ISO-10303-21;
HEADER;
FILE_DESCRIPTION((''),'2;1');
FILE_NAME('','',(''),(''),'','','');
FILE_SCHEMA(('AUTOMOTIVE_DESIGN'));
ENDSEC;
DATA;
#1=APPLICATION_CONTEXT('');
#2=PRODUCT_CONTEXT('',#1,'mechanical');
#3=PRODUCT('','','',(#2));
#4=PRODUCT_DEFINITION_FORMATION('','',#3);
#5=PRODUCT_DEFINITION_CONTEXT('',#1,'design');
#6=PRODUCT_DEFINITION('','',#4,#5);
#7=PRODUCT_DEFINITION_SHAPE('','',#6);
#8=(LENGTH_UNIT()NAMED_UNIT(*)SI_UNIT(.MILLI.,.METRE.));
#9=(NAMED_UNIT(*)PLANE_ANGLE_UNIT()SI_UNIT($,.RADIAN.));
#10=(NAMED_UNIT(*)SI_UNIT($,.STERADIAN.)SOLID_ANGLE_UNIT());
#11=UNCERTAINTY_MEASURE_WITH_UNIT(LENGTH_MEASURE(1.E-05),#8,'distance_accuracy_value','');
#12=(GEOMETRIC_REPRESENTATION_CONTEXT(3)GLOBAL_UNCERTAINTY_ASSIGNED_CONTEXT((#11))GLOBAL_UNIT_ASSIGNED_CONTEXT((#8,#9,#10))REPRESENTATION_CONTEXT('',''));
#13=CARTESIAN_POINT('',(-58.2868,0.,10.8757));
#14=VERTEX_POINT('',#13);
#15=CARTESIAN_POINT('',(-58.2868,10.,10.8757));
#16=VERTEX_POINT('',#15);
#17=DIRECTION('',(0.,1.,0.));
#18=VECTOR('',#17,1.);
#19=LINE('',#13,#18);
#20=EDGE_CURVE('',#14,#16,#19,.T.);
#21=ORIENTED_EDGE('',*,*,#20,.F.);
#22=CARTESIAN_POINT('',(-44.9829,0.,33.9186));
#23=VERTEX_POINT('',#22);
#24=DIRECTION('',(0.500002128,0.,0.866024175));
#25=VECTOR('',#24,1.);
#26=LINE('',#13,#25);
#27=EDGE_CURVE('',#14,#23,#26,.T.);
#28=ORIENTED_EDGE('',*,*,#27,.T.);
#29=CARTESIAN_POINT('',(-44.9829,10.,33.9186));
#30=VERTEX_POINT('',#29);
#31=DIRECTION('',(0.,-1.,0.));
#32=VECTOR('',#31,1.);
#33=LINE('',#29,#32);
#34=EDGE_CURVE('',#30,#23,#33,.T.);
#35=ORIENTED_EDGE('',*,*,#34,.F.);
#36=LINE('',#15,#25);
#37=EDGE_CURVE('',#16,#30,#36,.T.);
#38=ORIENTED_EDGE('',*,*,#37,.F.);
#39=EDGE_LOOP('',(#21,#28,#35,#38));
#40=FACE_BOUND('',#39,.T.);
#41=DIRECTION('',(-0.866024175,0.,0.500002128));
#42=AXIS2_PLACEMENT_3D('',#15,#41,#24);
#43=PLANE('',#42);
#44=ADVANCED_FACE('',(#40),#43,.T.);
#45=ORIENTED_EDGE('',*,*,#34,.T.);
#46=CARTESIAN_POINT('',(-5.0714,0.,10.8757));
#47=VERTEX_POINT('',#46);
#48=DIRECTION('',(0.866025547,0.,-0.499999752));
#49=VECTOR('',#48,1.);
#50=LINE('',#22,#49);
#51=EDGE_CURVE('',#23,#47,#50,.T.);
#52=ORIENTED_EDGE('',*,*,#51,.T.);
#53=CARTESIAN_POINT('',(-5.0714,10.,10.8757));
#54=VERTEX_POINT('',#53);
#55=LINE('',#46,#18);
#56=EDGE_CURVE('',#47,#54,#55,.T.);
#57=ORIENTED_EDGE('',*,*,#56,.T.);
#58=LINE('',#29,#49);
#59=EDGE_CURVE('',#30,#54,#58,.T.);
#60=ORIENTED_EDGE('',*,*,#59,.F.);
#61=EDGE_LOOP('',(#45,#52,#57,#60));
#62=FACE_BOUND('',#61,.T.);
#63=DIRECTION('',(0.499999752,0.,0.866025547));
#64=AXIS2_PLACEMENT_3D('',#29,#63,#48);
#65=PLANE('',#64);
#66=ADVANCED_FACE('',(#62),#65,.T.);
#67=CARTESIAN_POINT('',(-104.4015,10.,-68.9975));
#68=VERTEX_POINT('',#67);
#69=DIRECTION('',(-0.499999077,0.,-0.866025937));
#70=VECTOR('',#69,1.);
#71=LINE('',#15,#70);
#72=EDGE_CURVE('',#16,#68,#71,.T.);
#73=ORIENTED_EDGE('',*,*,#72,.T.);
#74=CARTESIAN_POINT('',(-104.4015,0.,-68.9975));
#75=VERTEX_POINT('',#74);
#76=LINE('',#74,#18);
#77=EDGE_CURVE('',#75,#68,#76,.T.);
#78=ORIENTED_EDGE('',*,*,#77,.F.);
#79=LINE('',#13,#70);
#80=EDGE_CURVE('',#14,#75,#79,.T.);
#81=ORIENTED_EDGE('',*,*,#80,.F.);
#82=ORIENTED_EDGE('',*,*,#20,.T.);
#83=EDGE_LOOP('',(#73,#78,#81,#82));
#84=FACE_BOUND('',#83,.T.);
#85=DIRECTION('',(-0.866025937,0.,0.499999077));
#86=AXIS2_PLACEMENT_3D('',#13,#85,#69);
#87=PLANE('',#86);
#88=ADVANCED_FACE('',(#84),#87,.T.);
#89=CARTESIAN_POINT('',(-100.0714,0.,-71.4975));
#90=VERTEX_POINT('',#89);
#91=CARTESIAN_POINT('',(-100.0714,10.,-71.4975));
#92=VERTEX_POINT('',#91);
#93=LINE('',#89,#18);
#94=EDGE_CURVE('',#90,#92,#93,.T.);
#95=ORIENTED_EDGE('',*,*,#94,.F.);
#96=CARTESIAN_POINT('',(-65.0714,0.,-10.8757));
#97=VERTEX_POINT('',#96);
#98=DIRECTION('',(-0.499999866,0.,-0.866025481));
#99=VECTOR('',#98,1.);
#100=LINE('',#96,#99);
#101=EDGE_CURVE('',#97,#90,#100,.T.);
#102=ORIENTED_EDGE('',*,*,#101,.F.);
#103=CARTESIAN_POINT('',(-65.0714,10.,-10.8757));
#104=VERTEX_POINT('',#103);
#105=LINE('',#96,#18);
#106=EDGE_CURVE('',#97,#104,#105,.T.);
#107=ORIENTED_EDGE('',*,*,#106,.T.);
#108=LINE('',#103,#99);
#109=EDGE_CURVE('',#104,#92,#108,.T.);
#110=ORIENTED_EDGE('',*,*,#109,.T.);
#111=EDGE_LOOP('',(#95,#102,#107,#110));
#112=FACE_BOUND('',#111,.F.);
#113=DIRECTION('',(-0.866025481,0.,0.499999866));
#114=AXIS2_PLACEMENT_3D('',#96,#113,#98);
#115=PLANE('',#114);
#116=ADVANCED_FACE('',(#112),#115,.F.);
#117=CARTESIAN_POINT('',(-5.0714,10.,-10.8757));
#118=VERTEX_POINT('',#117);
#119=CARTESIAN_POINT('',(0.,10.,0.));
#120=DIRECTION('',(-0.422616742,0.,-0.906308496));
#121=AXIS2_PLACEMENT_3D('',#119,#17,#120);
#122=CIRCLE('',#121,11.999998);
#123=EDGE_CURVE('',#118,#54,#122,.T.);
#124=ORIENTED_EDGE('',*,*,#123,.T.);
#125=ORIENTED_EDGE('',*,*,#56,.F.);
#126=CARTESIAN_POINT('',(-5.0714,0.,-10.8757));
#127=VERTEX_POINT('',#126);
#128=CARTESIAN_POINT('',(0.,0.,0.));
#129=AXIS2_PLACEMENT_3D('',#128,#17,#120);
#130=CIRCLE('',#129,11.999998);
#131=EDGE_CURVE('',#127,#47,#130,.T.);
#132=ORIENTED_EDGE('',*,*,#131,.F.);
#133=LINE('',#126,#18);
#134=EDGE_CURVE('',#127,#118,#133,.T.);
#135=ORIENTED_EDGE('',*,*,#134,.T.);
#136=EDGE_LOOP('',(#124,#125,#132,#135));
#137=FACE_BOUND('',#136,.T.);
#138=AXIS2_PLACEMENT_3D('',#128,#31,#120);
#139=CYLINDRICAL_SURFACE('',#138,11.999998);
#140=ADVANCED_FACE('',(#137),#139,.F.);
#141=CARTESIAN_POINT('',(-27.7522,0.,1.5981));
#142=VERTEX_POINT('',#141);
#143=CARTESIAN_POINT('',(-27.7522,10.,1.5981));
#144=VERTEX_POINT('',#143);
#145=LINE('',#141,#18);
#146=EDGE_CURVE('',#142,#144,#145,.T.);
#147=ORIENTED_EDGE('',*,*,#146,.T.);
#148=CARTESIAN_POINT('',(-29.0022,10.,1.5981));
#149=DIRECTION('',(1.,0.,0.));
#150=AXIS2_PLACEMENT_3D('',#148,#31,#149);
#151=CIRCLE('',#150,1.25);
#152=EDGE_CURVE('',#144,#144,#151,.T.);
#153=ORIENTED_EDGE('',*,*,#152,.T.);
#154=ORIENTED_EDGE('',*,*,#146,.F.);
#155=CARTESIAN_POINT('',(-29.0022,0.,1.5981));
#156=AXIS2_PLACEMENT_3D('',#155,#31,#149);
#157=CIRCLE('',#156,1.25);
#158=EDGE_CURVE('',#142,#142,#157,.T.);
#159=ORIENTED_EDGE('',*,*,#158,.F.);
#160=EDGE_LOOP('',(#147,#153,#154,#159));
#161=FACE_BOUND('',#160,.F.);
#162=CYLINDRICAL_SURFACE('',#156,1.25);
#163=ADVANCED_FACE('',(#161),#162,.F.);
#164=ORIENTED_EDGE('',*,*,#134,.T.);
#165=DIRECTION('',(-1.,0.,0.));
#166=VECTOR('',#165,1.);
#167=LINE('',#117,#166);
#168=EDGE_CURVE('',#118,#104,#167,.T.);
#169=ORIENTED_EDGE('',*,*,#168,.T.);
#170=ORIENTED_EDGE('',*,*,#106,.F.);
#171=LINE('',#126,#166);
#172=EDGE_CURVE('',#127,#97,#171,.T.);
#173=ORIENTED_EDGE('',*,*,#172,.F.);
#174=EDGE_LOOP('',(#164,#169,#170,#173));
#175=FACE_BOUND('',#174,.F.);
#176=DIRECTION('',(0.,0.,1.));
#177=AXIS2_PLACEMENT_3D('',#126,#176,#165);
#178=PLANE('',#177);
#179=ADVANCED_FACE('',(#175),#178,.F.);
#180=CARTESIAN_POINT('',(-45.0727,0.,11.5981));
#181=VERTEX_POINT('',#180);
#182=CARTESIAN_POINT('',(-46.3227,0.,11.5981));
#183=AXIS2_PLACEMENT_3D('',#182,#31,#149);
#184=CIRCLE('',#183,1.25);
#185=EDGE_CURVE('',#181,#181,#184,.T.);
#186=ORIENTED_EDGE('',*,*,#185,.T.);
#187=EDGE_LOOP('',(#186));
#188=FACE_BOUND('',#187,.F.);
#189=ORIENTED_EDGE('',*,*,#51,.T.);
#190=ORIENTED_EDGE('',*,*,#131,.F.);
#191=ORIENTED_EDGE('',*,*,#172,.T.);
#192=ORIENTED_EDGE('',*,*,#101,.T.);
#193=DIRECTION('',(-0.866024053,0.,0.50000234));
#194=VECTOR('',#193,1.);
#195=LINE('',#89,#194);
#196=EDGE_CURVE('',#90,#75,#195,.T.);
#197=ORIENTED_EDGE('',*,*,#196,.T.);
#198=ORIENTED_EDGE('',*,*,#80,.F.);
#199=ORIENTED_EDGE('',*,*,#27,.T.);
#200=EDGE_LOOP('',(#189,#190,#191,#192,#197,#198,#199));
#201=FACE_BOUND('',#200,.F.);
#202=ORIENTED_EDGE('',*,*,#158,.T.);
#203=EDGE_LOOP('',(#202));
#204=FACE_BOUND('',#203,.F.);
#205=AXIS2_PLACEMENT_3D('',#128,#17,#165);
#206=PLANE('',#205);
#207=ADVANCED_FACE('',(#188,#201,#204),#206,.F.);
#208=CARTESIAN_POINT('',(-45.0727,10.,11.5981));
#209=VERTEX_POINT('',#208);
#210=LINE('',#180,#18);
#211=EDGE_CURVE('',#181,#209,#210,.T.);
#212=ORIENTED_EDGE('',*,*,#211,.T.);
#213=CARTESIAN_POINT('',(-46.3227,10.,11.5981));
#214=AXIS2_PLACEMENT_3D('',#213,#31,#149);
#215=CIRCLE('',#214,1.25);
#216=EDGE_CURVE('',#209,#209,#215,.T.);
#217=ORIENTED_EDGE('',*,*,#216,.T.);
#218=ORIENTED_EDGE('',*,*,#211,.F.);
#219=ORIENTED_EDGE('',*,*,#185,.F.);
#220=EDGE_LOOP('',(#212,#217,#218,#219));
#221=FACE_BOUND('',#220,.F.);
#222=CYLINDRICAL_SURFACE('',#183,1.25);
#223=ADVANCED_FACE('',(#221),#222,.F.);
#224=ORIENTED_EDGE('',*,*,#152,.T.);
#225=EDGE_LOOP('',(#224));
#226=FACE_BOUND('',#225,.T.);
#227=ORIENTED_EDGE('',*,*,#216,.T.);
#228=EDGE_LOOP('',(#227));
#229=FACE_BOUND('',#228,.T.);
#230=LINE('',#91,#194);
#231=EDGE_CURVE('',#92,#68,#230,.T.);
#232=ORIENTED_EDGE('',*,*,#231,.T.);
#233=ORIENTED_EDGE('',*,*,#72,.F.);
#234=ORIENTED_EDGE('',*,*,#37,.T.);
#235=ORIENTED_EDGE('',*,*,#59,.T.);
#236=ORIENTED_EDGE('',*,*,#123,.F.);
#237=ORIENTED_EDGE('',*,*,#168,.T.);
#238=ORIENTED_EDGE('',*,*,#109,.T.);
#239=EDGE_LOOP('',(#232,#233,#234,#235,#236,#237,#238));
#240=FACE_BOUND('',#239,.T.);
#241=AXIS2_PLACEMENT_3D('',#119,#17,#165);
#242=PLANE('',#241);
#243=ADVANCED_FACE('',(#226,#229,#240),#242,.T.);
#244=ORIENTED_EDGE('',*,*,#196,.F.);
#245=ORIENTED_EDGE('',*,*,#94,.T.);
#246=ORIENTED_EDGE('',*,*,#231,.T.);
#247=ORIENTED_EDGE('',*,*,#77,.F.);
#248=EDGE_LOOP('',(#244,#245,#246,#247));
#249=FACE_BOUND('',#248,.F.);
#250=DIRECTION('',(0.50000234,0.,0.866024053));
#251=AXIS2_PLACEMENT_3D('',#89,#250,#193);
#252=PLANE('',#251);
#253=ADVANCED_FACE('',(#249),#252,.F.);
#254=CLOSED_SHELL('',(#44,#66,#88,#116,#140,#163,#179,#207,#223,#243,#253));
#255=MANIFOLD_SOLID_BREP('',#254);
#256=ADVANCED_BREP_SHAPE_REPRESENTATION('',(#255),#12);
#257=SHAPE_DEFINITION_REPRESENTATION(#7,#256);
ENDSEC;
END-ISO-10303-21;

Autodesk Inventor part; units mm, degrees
ref_plane "YZ Plane" through (0, 0, 0) normal (1, 0, 0) x (0, 1, 0)
ref_plane "XZ Plane" through (0, 0, 0) normal (0, 1, 0) x (-1, 0, 0)
ref_plane "XY Plane" through (0, 0, 0) normal (0, 0, 1) x (1, 0, 0)
sketch "Sketch1" plane through (0, 0, 0) normal (0, 1, 0) x (-1, 0, 0)
  point P0 (0, 0)
sketch "Sketch2" plane through (0, 0, 0) normal (0, 1, 0) x (-1, 0, 0)
  circle A0 centre (0, 0) radius 10 construction
  arc A1 (5.0714, -10.8757) -> (5.0714, 10.8757) centre (0, 0) ccw
  line L0 (5.0714, 10.8757) -> (5.0714, -10.8757) construction
  line L1 (5.0714, 10.8757) -> (26.8228, 10.8757) construction
  line L2 (5.0714, -10.8757) -> (65.0714, -10.8757)
  line L3 (5.0714, -10.8757) -> (65.0714, -10.8757) construction
  line L4 (65.0714, -10.8757) -> (100.0714, -71.4975)
  line L5 (100.0714, -71.4975) -> (104.4015, -68.9975)
  line L6 (5.0714, 10.8757) -> (58.2868, 10.8757)
  line L7 (58.2868, 10.8757) -> (104.4015, -68.9975)
  dimension "d0" = 20
  dimension "d1" = 90
  dimension "d2" = 2
  dimension "d3" = 130
  dimension "d4" = 60
  dimension "d5" = 0
  dimension "d6" = 70
  dimension "d7" = 120
  dimension "d8" = 5
extrude "Extrusion1" add sketch "Sketch2" along normal blind 10
sketch "Sketch3" plane through (0, 10, 0) normal (0, 1, 0) x (1, 0, 0)
  line L0 (-58.2868, -10.8757) -> (-104.4015, 68.9975) projected
  line L1 (-58.2868, -10.8757) -> (-44.9829, -33.9186)
  arc A0 (-5.0714, 10.8757) -> (-5.0714, -10.8757) centre (0, 0) ccw projected
  line L2 (-44.9829, -33.9186) -> (-5.0714, -10.8757)
  line L3 (-58.2868, -10.8757) -> (-5.0714, -10.8757) projected
  line L4 (-58.2868, -10.8757) -> (-5.0714, -10.8757)
extrude "Extrusion2" add sketch "Sketch3" against normal blind 10
sketch "Sketch4" plane through (0, 0, 0) normal (0, -1, 0) x (1, 0, 0)
  circle A0 centre (-46.3227, 11.5981) radius 1.25
  circle A1 centre (-29.0022, 1.5981) radius 1.25
  line L0 (-29.0022, 1.5981) -> (-46.3227, 11.5981) construction
  line L1 (-44.9829, 33.9186) -> (-104.4015, -68.9975) construction
  line L2 (-5.0714, 10.8757) -> (-44.9829, 33.9186) construction
  point P0 (0, 0)
  dimension "d13" = 2.5
  dimension "d14" = 2.5
  dimension "d15" = 20
  dimension "d16" = 10
  dimension "d17" = 20
extrude "Extrusion3" cut sketch "Sketch4" along normal through all both and the other way through all
properties part number "flipper-hug-left"
